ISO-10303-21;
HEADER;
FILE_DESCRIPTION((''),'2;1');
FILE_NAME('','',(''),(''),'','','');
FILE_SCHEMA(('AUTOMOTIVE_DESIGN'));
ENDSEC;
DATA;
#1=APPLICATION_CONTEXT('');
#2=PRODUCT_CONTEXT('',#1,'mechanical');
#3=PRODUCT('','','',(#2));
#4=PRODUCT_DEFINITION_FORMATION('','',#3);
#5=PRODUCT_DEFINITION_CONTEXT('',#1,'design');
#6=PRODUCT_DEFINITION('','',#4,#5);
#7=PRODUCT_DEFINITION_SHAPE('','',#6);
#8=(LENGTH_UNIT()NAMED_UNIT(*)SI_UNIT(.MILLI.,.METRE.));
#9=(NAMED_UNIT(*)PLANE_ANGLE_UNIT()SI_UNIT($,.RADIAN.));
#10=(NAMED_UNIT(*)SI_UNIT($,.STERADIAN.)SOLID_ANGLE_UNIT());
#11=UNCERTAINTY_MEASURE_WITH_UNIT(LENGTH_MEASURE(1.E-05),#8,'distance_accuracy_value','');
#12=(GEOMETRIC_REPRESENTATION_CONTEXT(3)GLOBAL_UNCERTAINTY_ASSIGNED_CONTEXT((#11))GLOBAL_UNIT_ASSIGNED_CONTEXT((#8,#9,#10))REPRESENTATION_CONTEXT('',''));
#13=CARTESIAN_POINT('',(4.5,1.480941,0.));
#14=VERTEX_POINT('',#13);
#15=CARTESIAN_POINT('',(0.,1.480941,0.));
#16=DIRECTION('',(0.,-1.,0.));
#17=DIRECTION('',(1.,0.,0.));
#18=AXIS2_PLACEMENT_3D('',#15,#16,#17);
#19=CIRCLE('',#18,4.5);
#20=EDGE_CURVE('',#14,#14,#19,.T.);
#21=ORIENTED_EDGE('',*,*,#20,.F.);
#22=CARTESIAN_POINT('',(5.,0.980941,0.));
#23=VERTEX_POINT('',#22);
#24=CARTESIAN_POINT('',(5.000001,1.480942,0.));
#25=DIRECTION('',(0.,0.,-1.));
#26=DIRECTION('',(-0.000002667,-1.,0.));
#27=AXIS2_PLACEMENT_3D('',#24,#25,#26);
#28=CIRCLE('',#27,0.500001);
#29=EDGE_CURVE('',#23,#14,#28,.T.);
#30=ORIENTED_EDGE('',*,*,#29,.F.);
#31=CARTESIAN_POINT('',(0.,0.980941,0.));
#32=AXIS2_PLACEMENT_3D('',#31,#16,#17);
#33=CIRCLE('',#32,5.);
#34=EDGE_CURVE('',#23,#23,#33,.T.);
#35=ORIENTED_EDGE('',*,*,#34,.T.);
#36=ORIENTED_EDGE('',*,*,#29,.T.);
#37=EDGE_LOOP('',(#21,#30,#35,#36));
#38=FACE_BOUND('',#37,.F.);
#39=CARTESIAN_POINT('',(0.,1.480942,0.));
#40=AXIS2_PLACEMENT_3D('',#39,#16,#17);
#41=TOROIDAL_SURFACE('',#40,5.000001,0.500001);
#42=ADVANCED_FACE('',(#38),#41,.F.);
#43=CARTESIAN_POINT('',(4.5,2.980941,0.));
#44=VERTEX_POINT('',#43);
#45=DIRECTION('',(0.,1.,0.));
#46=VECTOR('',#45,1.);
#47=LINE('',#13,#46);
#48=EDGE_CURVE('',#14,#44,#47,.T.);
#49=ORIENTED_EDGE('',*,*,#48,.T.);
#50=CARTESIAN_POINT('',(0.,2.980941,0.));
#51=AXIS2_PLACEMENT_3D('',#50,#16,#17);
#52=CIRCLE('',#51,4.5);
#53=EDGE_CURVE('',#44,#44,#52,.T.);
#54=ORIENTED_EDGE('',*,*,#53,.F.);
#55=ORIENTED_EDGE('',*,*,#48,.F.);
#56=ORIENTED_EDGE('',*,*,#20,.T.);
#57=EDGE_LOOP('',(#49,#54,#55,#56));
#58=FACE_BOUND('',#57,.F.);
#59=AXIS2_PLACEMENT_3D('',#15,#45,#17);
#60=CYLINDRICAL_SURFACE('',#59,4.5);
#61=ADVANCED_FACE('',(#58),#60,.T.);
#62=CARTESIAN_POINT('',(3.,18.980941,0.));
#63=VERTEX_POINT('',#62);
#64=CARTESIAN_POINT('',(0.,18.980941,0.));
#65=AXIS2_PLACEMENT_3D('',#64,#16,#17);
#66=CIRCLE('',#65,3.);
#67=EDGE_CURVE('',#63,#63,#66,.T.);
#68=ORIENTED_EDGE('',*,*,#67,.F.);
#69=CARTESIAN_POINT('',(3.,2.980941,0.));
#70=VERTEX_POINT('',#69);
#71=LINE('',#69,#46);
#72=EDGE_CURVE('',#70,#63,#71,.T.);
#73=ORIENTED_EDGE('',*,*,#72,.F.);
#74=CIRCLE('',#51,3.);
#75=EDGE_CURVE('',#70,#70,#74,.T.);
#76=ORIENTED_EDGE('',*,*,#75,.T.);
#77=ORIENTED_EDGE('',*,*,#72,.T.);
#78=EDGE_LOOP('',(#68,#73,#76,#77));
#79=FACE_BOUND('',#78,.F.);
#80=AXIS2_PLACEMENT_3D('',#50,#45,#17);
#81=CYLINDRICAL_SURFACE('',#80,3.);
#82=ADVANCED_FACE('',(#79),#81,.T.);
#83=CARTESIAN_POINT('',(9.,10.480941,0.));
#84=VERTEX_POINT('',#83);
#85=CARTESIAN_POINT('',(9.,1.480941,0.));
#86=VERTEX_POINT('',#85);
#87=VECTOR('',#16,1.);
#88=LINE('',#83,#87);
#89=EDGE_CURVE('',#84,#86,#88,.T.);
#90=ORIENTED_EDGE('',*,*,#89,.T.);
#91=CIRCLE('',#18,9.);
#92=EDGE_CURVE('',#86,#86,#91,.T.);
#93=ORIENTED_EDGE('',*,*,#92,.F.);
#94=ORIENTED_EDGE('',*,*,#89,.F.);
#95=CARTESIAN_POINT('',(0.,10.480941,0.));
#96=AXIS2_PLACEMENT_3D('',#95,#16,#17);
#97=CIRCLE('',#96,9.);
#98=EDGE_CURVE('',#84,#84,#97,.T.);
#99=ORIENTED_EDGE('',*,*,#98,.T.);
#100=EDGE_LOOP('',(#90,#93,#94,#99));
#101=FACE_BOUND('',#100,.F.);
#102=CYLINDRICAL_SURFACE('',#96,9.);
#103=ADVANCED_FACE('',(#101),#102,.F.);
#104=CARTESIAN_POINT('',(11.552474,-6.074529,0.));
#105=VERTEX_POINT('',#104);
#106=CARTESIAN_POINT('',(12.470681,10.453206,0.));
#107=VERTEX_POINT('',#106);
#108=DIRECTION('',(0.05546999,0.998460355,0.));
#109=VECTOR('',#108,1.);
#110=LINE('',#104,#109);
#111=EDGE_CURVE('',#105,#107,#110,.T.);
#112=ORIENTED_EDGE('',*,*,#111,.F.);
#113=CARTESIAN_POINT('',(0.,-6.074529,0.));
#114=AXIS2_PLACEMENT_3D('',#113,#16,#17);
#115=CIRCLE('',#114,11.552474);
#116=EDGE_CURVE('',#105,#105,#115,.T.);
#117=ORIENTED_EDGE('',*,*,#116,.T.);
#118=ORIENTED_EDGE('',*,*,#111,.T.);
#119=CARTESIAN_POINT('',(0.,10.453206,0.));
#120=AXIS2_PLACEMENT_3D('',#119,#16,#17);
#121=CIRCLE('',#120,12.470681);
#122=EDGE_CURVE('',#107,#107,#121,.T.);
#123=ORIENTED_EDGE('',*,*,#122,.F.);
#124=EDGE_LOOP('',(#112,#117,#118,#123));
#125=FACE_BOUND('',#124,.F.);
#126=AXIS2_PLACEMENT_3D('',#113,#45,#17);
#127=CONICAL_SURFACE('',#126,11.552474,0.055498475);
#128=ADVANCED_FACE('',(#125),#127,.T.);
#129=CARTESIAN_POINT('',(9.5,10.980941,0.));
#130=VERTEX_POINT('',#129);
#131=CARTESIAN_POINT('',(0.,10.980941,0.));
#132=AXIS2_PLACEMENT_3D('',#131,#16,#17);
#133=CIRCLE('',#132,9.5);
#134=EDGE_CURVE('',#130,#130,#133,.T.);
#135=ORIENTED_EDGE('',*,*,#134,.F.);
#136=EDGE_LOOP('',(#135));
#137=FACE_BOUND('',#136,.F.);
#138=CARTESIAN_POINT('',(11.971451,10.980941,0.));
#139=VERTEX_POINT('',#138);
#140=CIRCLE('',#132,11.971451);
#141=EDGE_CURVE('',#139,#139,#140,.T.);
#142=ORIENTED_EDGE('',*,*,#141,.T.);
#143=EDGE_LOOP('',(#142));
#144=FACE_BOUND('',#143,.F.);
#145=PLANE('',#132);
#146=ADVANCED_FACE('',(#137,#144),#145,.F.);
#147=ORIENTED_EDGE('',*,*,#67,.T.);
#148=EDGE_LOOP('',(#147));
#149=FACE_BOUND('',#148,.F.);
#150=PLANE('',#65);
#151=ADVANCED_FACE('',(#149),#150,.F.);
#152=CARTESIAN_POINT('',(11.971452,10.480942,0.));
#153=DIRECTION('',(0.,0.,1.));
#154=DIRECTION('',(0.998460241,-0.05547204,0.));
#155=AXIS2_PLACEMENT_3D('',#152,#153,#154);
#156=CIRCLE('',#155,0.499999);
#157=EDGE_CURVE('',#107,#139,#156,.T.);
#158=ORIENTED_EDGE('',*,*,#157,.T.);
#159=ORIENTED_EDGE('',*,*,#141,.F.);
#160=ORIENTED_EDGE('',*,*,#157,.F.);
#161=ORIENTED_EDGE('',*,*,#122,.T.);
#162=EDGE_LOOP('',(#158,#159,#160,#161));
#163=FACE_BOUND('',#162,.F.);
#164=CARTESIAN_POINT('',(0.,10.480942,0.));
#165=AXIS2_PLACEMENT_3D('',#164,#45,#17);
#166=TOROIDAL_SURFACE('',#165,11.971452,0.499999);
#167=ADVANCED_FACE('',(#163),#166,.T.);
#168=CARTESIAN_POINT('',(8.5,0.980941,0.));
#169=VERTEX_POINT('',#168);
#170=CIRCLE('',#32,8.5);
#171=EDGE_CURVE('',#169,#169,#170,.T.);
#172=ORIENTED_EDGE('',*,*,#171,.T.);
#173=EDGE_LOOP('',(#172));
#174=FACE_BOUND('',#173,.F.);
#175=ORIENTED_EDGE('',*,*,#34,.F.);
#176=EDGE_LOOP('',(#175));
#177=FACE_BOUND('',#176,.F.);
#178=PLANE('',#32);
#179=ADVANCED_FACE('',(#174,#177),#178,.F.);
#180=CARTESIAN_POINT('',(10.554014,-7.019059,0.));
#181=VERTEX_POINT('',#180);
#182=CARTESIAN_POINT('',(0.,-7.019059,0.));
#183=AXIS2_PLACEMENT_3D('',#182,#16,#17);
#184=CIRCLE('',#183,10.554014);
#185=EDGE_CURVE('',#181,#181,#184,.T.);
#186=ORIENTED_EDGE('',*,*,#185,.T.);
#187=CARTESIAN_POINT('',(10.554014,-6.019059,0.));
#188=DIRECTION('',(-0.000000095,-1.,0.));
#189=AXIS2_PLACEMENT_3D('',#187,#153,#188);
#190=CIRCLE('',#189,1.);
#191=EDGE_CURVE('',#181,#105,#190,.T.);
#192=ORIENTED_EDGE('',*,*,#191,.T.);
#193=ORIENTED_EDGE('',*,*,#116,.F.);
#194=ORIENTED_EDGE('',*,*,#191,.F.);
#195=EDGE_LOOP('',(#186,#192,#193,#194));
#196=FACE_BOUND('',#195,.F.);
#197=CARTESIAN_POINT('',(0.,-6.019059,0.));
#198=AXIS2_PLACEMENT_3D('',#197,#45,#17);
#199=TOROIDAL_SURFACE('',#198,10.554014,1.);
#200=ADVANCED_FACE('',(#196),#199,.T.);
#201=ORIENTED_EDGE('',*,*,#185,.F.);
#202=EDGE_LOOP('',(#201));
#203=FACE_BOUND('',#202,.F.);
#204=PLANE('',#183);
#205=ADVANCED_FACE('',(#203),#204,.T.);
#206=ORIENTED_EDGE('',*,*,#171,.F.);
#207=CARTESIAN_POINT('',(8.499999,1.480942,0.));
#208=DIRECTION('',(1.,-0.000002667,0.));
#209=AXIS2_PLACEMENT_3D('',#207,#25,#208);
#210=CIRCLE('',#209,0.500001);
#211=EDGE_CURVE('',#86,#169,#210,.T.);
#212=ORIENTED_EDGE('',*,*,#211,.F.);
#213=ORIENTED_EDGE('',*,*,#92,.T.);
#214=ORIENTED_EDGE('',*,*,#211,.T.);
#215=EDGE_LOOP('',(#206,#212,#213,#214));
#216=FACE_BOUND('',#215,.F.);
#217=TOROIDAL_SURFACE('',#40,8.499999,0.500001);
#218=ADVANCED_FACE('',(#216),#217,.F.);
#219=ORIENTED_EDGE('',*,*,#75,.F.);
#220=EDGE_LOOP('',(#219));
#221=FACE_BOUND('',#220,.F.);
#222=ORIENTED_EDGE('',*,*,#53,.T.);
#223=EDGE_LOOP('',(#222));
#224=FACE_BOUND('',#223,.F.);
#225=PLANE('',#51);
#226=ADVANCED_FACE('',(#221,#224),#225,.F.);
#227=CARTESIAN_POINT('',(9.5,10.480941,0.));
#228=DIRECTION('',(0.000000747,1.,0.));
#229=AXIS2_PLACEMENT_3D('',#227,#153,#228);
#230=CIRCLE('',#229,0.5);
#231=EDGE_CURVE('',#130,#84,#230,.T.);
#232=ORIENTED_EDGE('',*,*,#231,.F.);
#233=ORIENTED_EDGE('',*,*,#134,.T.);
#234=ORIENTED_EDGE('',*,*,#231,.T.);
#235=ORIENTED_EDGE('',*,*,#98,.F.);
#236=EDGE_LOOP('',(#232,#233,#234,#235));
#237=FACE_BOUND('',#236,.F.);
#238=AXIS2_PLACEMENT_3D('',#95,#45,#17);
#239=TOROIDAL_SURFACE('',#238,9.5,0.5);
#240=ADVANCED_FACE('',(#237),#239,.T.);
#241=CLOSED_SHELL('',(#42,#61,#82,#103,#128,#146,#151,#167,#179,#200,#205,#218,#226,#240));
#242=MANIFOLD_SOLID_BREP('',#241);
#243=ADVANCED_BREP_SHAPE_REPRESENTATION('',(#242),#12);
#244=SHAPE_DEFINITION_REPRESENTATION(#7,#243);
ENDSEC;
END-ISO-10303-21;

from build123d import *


with BuildPart() as f1:
    # F0 (on Top) → F1 (revolve)
    with BuildSketch(Plane.XY):
        with BuildLine():
            Line((0, 18.980941), (0, -7.019059))
            Line((0, -7.019059), (10.554014, -7.019059))
            ThreePointArc((10.554014, -7.019059), (11.241229, -6.745513), (11.552474, -6.074529))
            Line((11.552474, -6.074529), (12.470681, 10.453206))
            ThreePointArc((12.470681, 10.453206), (12.334678, 10.824549), (11.971451, 10.980941))
            Line((11.971451, 10.980941), (9.5, 10.980941))
            ThreePointArc((9.5, 10.980941), (9.146447, 10.834495), (9, 10.480941))
            Line((9, 10.480941), (9, 1.480941))
            ThreePointArc((9, 1.480941), (8.853553, 1.127388), (8.5, 0.980941))
            Line((8.5, 0.980941), (5, 0.980941))
            ThreePointArc((5, 0.980941), (4.646447, 1.127388), (4.5, 1.480941))
            Line((4.5, 1.480941), (4.5, 2.980941))
            Line((4.5, 2.980941), (3, 2.980941))
            Line((3, 2.980941), (3, 18.980941))
            Line((3, 18.980941), (0, 18.980941))
        make_face()
    revolve(axis=Axis((0, 5.980941, 0), (0, -1, 0)))


solid = f1.part
